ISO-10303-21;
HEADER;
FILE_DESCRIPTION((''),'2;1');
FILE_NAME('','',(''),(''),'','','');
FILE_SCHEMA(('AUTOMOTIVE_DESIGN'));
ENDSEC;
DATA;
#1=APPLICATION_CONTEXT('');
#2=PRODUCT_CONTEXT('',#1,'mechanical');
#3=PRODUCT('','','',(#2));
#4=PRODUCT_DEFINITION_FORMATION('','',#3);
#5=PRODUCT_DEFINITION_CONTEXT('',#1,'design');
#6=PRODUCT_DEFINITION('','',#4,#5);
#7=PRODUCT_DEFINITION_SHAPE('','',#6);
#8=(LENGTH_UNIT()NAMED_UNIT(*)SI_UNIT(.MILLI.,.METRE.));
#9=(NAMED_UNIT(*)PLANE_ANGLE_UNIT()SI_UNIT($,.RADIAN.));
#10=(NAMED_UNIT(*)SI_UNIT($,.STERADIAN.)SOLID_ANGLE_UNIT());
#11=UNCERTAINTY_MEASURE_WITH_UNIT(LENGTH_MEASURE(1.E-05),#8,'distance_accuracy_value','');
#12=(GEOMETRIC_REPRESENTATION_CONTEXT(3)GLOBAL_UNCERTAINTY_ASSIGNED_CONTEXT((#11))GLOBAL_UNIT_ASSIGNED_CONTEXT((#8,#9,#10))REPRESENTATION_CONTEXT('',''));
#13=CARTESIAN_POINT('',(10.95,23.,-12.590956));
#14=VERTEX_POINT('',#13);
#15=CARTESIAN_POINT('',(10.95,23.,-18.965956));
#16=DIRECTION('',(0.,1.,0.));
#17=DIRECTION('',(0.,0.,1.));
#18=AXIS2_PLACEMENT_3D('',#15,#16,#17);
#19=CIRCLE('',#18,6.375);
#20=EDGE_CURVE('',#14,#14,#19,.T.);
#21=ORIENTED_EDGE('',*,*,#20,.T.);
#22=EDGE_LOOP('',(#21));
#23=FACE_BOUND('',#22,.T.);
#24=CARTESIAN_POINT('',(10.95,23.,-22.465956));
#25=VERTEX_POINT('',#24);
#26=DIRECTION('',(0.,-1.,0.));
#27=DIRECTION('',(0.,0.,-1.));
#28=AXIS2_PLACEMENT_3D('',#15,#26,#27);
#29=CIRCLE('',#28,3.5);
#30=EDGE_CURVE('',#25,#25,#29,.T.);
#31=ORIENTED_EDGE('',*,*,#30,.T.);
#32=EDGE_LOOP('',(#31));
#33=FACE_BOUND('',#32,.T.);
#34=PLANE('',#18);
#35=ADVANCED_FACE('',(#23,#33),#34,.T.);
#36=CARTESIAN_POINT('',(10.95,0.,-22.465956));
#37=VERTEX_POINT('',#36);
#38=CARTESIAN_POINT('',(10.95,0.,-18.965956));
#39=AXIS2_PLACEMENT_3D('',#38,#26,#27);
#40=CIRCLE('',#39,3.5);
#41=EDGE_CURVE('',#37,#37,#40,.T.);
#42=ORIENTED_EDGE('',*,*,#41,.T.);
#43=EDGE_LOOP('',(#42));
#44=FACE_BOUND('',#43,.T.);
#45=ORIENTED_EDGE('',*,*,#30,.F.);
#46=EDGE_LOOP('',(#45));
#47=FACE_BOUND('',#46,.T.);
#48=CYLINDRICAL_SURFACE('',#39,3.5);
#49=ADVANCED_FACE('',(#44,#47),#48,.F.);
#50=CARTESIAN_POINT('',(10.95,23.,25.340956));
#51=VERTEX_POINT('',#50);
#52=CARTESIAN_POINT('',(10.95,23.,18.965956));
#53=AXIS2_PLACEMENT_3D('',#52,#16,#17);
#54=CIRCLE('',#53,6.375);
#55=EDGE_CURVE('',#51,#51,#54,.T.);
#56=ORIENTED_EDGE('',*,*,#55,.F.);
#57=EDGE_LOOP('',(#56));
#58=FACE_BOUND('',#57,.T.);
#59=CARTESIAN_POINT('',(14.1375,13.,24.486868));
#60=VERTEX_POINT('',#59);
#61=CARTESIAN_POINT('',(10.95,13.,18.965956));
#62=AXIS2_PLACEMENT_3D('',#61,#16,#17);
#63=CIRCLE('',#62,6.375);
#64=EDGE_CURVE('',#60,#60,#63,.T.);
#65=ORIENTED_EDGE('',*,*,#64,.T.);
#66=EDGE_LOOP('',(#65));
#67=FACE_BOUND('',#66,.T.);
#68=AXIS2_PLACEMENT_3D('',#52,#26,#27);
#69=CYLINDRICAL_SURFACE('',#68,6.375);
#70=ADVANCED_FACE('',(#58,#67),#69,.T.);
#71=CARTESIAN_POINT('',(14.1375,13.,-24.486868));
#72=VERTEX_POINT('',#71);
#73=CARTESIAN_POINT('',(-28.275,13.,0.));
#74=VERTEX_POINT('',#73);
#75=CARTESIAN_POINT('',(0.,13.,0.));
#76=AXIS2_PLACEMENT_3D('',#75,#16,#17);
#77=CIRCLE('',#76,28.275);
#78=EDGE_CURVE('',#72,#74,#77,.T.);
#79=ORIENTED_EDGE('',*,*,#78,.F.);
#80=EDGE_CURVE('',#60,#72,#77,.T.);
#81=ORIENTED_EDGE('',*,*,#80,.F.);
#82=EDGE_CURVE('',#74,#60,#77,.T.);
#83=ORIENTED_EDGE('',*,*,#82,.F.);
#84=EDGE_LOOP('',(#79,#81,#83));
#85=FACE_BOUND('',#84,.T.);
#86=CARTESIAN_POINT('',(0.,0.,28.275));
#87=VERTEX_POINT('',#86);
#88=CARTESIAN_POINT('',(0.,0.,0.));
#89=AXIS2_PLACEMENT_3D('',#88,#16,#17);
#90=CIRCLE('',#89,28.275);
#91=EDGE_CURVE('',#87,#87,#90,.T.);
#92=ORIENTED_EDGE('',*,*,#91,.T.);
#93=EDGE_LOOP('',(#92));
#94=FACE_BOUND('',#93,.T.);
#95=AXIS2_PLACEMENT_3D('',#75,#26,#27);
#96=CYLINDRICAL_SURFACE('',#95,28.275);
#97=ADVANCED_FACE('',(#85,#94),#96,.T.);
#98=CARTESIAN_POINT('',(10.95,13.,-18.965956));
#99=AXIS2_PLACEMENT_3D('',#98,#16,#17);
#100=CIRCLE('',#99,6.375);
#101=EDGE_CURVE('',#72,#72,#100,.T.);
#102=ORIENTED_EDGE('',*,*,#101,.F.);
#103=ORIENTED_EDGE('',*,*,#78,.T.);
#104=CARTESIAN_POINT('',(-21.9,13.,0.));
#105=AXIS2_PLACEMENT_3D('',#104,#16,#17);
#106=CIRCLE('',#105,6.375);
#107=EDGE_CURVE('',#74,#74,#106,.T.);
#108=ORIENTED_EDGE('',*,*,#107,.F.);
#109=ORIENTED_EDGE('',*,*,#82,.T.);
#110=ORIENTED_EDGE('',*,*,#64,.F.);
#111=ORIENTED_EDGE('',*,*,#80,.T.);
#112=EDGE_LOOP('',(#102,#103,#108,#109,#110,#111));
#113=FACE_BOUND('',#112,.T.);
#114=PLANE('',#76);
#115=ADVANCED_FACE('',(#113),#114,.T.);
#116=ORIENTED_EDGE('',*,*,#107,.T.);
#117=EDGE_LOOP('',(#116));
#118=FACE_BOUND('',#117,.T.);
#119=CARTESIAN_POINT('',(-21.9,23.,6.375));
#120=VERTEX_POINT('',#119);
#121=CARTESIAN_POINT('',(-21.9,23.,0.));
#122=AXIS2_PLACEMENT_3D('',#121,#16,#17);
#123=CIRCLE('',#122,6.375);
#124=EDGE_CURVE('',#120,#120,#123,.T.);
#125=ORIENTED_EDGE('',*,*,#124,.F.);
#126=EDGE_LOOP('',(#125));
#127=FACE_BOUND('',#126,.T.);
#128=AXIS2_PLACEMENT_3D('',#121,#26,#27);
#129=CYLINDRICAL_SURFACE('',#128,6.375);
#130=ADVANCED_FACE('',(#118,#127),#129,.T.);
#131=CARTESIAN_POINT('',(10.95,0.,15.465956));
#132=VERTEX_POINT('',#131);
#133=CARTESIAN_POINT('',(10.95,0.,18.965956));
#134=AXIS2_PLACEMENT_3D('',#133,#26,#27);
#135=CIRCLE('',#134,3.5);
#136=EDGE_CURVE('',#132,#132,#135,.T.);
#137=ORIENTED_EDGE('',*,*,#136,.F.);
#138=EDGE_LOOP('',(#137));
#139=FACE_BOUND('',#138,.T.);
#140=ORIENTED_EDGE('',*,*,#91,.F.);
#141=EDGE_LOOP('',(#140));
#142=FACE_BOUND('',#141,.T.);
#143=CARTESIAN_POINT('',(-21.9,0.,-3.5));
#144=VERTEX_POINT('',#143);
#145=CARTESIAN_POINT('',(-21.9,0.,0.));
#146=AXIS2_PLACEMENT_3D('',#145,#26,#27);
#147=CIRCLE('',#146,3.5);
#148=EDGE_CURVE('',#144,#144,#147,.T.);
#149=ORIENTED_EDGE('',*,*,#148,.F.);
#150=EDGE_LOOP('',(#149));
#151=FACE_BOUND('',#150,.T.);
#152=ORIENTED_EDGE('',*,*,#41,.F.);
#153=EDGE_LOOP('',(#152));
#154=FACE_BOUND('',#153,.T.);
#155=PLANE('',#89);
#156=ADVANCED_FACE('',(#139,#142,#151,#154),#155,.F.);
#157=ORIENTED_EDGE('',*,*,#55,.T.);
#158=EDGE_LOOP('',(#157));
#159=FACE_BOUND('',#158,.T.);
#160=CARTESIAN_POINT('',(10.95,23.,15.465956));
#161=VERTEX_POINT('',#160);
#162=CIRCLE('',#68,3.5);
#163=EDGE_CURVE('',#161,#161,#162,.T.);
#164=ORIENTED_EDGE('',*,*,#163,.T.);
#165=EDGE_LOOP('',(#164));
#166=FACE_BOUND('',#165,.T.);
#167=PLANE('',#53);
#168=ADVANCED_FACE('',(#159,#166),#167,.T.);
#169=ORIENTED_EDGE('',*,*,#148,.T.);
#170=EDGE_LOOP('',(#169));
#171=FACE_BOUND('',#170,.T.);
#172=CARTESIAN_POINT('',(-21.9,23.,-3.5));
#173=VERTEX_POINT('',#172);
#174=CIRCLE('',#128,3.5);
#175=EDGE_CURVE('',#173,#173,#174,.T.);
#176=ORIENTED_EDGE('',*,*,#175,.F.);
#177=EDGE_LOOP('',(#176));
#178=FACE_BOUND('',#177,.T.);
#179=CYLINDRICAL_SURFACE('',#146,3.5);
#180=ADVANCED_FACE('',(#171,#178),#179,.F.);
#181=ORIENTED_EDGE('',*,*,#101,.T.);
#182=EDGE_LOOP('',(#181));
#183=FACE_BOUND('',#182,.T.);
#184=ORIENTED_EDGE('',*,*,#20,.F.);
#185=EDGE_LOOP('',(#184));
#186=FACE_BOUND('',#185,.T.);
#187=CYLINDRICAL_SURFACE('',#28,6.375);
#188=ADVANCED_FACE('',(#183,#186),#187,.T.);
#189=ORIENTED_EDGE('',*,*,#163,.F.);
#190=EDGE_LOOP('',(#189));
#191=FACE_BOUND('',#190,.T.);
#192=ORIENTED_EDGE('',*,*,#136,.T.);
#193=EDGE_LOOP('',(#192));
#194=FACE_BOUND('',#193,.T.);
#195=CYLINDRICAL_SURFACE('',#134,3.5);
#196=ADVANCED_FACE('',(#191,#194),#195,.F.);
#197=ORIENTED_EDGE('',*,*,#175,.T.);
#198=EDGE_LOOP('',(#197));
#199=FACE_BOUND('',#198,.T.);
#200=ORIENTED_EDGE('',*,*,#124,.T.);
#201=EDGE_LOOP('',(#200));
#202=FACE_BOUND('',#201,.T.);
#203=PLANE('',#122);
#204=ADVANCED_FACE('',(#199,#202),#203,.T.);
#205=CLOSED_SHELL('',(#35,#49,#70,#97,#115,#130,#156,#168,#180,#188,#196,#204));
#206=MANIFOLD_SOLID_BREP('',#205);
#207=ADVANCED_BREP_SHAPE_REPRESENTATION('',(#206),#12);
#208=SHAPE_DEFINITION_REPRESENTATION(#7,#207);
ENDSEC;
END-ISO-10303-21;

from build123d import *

# Parameters (mm, degrees)
SKETCH3_R           = 28.275
BOSS_EXTRUDE1_DEPTH = 13
SKETCH4_R           = 6.375
BOSS_EXTRUDE2_DEPTH = 10
D_GAGEMENT_M1_61_D  = 7


with BuildPart() as part:
    # Sketch3 → Boss-Extrude1 (new body)
    with BuildSketch(Plane(origin=(0, 0, 0), x_dir=(1, 0, 0), z_dir=(0, 1, 0))):
        with Locations(Location((0, 0, 0), (0, 0, 90))):
            Circle(SKETCH3_R)
    extrude(amount=BOSS_EXTRUDE1_DEPTH)

    # Sketch4 → Boss-Extrude2 (add)
    with BuildSketch(Plane(origin=(0, 13, 0), x_dir=(1, 0, 0), z_dir=(0, 1, 0))):
        with Locations(Location((-21.9, 0, 0), (0, 0, 179.999635348))):
            Circle(SKETCH4_R)
        with Locations(Location((10.95, 18.965956343, 0), (0, 0, 59.999635366))):
            Circle(SKETCH4_R)
        with Locations(Location((10.95, -18.965956343, 0), (0, 0, 299.999635366))):
            Circle(SKETCH4_R)
    extrude(amount=BOSS_EXTRUDE2_DEPTH)

    # Dégagement M1.61 (through all)
    with Locations(Plane(origin=(0, 0, 0), x_dir=(-1, 0, 0), z_dir=(0, -1, 0))):
        with Locations((21.9, 0), (-10.95, 18.965956343), (-10.95, -18.965956343)):
            Hole(D_GAGEMENT_M1_61_D / 2)


solid = part.part
